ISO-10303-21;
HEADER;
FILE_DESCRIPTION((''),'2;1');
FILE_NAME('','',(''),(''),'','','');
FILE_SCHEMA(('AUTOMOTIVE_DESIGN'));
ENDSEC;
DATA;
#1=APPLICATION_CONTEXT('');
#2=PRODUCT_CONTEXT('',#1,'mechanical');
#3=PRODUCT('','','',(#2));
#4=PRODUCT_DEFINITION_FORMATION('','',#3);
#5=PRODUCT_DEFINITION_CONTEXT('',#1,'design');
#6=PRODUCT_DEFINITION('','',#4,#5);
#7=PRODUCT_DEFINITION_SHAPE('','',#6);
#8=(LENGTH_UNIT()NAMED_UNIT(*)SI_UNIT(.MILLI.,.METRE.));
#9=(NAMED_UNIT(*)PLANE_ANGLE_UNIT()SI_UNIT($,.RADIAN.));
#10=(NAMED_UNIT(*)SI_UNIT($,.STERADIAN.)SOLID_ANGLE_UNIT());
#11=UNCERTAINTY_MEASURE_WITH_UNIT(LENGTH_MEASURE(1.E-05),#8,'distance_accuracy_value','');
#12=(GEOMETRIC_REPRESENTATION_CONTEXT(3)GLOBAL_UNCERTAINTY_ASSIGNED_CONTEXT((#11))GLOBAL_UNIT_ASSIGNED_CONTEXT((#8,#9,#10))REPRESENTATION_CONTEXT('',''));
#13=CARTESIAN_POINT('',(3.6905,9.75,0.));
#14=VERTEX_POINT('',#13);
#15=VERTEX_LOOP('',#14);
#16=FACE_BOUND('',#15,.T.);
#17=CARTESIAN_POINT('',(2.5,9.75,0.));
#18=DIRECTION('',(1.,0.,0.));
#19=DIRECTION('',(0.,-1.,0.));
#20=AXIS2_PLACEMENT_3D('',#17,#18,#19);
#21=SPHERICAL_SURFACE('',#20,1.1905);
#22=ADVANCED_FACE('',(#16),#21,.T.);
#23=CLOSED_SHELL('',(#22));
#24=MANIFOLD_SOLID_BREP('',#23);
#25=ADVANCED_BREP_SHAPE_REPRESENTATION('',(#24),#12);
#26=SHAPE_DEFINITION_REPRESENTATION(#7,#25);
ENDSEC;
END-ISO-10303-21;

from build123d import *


with BuildPart() as part:
    # Sketch1 → Revolve1 (revolve)
    with BuildSketch(Plane.XY):
        with BuildLine():
            Line((3.6905, 9.75), (1.3095, 9.75))
            ThreePointArc((1.3095, 9.75), (2.5, 10.9405), (3.6905, 9.75))
        make_face()
    revolve(axis=Axis((3.6905, 9.75, 0), (-1, 0, 0)))


solid = part.part
